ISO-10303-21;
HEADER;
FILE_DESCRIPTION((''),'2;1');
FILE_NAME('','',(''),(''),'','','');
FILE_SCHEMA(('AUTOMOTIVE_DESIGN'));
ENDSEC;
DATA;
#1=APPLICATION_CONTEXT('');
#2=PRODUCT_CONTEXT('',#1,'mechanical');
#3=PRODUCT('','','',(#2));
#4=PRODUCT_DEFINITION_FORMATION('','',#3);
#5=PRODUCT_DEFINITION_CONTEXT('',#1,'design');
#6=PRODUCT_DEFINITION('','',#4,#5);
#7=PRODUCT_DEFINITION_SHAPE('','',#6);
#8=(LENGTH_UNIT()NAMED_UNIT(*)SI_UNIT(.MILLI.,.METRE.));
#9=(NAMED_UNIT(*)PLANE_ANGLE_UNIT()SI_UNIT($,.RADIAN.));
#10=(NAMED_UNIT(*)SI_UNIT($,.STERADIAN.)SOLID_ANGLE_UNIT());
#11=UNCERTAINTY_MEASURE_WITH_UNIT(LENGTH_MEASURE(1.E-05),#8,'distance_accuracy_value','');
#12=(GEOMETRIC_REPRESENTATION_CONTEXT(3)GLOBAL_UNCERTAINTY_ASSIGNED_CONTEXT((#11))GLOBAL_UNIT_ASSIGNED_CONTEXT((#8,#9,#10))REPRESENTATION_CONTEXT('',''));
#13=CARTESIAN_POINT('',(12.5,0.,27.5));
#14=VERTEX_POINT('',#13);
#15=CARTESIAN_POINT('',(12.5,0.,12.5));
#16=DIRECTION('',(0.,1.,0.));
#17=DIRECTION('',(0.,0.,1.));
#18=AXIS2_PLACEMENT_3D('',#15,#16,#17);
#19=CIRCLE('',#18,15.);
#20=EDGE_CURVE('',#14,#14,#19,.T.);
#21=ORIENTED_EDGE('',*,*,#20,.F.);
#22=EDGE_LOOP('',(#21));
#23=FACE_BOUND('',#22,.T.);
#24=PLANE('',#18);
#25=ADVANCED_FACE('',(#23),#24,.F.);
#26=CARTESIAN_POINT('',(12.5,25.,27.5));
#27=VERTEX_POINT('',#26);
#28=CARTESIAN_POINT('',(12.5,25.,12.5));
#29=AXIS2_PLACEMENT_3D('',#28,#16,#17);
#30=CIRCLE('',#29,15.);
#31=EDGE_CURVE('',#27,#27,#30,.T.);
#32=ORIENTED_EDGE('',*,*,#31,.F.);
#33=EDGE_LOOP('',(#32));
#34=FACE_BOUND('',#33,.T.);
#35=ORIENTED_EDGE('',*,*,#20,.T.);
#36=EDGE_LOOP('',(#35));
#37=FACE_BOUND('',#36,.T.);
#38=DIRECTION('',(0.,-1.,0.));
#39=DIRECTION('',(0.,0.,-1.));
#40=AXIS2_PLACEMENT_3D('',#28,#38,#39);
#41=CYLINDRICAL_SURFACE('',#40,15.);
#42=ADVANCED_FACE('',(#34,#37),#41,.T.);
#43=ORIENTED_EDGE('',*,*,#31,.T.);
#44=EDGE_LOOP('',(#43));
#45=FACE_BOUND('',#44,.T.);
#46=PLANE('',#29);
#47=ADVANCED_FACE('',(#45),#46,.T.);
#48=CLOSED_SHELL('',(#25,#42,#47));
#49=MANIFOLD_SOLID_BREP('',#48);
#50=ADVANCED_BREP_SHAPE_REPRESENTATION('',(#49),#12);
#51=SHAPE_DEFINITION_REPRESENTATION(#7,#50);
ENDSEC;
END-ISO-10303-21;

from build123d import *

# Parameters (mm, degrees)
SKETCH_1_R      = 15
EXTRUDE_1_DEPTH = 25


with BuildPart() as part:
    # 草图1 → 凸台-拉伸1 (new body)
    with BuildSketch(Plane(origin=(0, 0, 0), x_dir=(1, 0, 0), z_dir=(0, 1, 0))):
        with Locations(Location((12.5, -12.5, 0), (0, 0, 270))):
            Circle(SKETCH_1_R)
    extrude(amount=EXTRUDE_1_DEPTH)


solid = part.part
